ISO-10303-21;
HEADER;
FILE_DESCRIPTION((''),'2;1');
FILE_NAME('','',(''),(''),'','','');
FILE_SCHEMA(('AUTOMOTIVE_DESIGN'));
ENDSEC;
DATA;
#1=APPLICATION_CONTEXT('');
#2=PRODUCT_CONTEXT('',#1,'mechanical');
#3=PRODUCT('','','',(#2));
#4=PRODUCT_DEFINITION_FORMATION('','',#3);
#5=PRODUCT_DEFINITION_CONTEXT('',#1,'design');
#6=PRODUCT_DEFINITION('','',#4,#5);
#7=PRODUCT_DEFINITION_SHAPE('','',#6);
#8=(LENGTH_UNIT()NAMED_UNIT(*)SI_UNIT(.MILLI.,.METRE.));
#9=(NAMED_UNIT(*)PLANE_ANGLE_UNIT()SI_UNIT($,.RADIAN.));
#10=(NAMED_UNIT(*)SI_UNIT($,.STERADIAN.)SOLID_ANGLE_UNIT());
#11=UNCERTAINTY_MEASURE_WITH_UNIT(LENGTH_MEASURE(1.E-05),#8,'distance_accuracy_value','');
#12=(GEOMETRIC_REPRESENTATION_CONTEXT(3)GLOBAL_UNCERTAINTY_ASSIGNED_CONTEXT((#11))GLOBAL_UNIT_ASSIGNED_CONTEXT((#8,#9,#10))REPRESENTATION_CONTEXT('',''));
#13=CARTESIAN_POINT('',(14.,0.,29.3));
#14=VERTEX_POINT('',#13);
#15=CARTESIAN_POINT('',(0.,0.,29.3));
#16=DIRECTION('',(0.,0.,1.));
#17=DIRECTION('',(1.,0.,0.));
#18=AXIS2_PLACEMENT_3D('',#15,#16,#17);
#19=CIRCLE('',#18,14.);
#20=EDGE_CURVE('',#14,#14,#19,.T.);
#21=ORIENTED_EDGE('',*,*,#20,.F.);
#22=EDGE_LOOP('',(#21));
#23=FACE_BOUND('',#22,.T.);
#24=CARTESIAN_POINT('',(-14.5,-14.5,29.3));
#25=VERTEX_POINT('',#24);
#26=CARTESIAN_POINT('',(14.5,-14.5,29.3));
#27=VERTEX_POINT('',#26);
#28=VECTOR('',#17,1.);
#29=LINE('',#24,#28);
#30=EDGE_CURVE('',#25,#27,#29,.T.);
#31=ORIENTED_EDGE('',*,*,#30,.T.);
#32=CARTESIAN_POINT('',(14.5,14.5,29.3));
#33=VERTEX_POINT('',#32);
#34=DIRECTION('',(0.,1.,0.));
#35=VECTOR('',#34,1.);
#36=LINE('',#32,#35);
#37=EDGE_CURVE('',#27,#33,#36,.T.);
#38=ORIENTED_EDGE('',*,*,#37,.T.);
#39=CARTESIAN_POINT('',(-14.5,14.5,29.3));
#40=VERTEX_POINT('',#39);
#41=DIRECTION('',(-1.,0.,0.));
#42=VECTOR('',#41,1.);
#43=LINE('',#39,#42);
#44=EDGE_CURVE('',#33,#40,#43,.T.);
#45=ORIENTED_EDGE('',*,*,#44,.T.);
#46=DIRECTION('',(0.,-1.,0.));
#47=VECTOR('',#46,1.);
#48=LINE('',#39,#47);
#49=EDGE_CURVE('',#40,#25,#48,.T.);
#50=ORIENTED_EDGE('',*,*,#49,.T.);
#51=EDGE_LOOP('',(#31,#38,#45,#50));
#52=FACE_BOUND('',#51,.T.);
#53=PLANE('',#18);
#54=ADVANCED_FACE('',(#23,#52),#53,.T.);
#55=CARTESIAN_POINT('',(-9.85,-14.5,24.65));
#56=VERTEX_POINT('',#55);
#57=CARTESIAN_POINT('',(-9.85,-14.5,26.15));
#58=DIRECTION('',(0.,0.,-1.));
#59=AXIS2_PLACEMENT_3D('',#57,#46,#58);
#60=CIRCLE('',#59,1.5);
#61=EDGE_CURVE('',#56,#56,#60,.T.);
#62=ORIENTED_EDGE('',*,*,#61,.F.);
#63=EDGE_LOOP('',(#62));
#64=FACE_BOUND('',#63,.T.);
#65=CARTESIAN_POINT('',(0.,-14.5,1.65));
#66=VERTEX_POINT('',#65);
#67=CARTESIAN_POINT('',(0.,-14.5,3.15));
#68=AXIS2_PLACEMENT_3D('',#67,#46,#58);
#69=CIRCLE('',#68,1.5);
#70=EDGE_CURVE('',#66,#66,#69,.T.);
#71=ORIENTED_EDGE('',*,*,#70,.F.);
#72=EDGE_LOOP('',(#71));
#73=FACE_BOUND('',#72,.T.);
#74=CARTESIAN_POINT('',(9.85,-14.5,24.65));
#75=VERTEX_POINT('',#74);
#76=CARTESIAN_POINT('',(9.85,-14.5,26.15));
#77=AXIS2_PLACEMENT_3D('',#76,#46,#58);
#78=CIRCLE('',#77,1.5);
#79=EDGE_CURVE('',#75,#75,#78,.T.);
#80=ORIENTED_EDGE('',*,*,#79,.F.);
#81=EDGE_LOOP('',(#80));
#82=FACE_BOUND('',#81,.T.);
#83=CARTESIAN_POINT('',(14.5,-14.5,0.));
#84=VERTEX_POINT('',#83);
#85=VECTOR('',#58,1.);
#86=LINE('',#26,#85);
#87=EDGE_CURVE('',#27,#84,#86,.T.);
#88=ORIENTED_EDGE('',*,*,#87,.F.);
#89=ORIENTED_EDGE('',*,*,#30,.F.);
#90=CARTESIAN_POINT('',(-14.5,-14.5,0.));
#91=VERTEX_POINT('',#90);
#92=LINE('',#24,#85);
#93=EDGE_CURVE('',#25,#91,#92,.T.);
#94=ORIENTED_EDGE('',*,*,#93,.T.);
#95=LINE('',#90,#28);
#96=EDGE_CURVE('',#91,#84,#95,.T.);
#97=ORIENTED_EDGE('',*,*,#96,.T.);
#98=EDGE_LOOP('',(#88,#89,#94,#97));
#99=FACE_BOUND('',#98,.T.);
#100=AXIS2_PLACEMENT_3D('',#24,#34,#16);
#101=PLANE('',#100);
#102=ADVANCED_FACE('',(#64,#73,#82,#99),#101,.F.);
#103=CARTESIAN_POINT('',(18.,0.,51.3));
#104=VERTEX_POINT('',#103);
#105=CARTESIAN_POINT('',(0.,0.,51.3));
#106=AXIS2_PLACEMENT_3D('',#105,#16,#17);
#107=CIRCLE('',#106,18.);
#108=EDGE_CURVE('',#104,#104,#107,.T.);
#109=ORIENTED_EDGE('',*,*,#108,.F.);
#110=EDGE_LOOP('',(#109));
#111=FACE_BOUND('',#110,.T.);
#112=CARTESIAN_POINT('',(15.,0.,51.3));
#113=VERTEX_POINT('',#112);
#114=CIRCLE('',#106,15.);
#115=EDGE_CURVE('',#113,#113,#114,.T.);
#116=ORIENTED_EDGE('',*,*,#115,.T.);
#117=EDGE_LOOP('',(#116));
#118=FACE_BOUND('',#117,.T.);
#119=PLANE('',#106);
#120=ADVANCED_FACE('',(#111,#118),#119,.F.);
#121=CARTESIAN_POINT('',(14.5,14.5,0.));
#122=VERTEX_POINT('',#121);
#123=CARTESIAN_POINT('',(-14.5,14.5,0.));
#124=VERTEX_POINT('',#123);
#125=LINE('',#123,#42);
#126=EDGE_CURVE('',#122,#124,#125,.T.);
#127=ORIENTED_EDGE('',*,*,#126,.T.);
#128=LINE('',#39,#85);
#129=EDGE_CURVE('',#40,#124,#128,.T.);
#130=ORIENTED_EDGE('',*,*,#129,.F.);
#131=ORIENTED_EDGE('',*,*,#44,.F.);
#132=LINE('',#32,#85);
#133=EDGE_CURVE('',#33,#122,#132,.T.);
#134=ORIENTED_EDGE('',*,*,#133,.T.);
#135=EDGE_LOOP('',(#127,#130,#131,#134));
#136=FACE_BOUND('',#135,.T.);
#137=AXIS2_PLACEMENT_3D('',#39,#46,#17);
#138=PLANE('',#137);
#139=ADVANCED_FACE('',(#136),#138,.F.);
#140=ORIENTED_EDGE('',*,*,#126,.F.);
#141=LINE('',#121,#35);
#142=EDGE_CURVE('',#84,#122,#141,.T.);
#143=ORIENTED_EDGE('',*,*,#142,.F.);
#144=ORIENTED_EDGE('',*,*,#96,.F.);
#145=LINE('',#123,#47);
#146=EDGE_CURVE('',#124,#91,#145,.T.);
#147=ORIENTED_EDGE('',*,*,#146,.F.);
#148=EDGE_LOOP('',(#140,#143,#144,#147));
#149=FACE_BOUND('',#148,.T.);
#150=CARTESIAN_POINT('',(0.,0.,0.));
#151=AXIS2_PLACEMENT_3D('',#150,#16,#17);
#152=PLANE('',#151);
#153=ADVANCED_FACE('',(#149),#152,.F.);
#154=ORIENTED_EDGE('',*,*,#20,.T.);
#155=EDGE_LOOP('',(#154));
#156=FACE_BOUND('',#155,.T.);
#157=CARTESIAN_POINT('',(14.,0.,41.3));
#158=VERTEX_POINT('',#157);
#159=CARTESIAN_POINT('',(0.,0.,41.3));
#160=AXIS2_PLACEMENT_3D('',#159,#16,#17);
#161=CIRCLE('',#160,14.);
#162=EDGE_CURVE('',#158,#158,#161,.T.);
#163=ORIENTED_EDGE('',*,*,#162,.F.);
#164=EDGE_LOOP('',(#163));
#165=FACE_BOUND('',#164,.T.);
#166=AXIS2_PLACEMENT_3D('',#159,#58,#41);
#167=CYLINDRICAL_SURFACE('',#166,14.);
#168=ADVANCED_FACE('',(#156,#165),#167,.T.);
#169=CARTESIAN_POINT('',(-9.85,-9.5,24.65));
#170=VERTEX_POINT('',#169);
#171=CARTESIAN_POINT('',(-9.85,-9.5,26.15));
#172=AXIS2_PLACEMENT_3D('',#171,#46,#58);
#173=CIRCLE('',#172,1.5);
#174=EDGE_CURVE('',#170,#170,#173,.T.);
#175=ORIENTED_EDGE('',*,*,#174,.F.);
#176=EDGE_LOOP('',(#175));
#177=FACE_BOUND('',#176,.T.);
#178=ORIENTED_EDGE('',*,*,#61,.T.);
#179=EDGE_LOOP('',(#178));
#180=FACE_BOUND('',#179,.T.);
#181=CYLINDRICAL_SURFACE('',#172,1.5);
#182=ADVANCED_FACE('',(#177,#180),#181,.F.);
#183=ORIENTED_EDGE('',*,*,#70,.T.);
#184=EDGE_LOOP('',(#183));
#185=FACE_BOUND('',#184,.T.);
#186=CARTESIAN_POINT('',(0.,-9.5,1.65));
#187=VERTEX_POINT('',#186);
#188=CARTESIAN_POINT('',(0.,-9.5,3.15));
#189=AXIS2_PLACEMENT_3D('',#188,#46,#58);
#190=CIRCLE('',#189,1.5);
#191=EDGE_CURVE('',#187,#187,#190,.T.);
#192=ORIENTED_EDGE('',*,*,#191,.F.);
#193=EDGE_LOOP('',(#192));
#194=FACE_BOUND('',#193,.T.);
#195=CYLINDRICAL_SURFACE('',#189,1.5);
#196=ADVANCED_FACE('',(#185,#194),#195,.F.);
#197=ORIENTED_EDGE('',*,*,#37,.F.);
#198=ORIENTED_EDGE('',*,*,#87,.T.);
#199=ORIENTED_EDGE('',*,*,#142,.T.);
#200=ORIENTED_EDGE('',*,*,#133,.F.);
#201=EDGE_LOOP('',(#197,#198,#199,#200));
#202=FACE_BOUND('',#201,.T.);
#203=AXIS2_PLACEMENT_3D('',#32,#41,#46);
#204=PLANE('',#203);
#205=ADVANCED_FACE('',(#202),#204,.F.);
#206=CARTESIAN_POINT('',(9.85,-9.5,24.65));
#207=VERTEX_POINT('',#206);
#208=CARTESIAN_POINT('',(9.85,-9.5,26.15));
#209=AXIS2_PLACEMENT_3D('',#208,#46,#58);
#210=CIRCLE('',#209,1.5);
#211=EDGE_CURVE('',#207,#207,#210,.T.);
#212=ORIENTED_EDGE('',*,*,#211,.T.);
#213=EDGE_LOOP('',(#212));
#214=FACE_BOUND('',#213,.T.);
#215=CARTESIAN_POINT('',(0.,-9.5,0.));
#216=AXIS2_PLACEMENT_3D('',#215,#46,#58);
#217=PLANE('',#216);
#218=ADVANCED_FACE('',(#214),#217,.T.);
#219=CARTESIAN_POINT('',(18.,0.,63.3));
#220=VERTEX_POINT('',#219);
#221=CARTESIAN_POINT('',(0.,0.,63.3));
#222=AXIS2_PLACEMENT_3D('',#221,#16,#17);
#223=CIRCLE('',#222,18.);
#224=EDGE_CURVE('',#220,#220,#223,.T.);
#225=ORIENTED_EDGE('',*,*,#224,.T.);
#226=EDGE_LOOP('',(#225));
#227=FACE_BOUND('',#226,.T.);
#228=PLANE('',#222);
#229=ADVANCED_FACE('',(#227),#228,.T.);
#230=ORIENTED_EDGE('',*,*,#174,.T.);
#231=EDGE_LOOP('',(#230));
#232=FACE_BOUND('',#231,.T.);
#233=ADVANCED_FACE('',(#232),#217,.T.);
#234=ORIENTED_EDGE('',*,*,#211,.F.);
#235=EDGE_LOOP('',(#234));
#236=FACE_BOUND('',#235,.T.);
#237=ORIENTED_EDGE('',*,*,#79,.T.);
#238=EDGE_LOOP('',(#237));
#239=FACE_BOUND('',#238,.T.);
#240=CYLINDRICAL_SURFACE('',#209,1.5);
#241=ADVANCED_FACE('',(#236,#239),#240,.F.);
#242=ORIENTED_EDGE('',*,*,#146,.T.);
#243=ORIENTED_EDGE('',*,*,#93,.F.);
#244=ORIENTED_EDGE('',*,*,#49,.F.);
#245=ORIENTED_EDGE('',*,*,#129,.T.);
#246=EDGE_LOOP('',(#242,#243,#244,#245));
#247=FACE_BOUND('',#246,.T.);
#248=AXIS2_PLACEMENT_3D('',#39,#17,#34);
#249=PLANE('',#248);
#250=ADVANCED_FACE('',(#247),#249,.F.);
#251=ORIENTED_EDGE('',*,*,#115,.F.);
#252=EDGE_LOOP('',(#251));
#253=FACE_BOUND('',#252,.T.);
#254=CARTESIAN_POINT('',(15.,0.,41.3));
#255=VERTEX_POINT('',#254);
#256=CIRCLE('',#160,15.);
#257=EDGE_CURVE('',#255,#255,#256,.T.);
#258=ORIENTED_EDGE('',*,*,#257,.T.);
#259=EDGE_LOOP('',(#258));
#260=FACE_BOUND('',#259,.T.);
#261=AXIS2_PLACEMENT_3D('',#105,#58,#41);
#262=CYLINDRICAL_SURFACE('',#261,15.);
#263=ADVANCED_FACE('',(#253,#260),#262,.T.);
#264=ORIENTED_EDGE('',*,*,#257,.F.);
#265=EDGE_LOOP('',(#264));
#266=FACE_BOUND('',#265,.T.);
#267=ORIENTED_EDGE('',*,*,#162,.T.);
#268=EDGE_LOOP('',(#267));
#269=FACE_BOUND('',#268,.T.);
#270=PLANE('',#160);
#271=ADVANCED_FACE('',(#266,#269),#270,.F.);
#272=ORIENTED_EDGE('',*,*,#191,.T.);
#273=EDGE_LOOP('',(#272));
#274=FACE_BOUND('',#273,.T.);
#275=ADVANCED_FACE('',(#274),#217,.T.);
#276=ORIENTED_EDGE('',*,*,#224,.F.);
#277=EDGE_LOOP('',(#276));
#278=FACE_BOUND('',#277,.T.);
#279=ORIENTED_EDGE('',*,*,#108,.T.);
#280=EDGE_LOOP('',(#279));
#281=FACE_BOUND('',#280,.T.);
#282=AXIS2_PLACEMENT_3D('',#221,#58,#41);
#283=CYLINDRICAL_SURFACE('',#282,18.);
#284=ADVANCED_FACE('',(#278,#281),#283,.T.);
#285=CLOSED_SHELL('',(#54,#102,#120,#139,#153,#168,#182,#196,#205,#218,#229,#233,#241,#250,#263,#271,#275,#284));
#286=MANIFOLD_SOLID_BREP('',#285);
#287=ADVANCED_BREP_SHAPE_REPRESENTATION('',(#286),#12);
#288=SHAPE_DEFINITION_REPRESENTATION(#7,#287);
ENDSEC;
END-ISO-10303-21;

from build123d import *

# Parameters (mm, degrees)
SKETCH_3_W          = 29
SKETCH_3_H          = 29
EXTRUDE_2_DEPTH     = 29.3
SKETCH_4_R          = 14
EXTRUDE_3_DEPTH     = 12
SKETCH_5_R          = 15
EXTRUDE_4_DEPTH     = 10
SKETCH_6_R          = 18
EXTRUDE_5_DEPTH     = 12
CUT_EXTRUDE_1_DEPTH = 5


with BuildPart() as part:
    # 草图3 → 凸台-拉伸2 (new body)
    with BuildSketch(Plane.XY):
        Rectangle(SKETCH_3_W, SKETCH_3_H)
    extrude(amount=EXTRUDE_2_DEPTH)

    # 草图4 → 凸台-拉伸3 (add)
    with BuildSketch(Plane.XY.offset(29.3)):
        Circle(SKETCH_4_R)
    extrude(amount=EXTRUDE_3_DEPTH)

    # 草图5 → 凸台-拉伸4 (add)
    with BuildSketch(Plane.XY.offset(41.3)):
        Circle(SKETCH_5_R)
    extrude(amount=EXTRUDE_4_DEPTH)

    # 草图6 → 凸台-拉伸5 (add)
    with BuildSketch(Plane.XY.offset(51.3)):
        Circle(SKETCH_6_R)
    extrude(amount=EXTRUDE_5_DEPTH)

    # 草图7 → 切除-拉伸1 (cut)
    with BuildSketch(Plane.XZ.offset(14.5)):
        with BuildLine():
            Line((-9.85, 24.65), (-9.85, 26.15))
            Line((-9.85, 26.15), (-8.35, 26.15))
            ThreePointArc((-8.35, 26.15), (-10.910660172, 27.210660172), (-9.85, 24.65))
        make_face()
        with BuildLine():
            Line((-8.35, 26.15), (-9.85, 26.15))
            Line((-9.85, 26.15), (-9.85, 24.65))
            ThreePointArc((-9.85, 24.65), (-8.789339828, 25.089339828), (-8.35, 26.15))
        make_face()
        with BuildLine():
            ThreePointArc((11.35, 26.15), (9.85, 27.65), (8.35, 26.15))
            Line((8.35, 26.15), (9.85, 26.15))
            Line((9.85, 26.15), (9.85, 24.65))
            ThreePointArc((9.85, 24.65), (10.910660172, 25.089339828), (11.35, 26.15))
        make_face()
        with BuildLine():
            Line((9.85, 26.15), (8.35, 26.15))
            ThreePointArc((8.35, 26.15), (8.789339828, 25.089339828), (9.85, 24.65))
            Line((9.85, 24.65), (9.85, 26.15))
        make_face()
        with BuildLine():
            ThreePointArc((1.5, 3.15), (0, 4.65), (-1.5, 3.15))
            Line((-1.5, 3.15), (1.5, 3.15))
        make_face()
        with BuildLine():
            Line((1.5, 3.15), (-1.5, 3.15))
            ThreePointArc((-1.5, 3.15), (0, 1.65), (1.5, 3.15))
        make_face()
    extrude(amount=-CUT_EXTRUDE_1_DEPTH, mode=Mode.SUBTRACT)


solid = part.part
